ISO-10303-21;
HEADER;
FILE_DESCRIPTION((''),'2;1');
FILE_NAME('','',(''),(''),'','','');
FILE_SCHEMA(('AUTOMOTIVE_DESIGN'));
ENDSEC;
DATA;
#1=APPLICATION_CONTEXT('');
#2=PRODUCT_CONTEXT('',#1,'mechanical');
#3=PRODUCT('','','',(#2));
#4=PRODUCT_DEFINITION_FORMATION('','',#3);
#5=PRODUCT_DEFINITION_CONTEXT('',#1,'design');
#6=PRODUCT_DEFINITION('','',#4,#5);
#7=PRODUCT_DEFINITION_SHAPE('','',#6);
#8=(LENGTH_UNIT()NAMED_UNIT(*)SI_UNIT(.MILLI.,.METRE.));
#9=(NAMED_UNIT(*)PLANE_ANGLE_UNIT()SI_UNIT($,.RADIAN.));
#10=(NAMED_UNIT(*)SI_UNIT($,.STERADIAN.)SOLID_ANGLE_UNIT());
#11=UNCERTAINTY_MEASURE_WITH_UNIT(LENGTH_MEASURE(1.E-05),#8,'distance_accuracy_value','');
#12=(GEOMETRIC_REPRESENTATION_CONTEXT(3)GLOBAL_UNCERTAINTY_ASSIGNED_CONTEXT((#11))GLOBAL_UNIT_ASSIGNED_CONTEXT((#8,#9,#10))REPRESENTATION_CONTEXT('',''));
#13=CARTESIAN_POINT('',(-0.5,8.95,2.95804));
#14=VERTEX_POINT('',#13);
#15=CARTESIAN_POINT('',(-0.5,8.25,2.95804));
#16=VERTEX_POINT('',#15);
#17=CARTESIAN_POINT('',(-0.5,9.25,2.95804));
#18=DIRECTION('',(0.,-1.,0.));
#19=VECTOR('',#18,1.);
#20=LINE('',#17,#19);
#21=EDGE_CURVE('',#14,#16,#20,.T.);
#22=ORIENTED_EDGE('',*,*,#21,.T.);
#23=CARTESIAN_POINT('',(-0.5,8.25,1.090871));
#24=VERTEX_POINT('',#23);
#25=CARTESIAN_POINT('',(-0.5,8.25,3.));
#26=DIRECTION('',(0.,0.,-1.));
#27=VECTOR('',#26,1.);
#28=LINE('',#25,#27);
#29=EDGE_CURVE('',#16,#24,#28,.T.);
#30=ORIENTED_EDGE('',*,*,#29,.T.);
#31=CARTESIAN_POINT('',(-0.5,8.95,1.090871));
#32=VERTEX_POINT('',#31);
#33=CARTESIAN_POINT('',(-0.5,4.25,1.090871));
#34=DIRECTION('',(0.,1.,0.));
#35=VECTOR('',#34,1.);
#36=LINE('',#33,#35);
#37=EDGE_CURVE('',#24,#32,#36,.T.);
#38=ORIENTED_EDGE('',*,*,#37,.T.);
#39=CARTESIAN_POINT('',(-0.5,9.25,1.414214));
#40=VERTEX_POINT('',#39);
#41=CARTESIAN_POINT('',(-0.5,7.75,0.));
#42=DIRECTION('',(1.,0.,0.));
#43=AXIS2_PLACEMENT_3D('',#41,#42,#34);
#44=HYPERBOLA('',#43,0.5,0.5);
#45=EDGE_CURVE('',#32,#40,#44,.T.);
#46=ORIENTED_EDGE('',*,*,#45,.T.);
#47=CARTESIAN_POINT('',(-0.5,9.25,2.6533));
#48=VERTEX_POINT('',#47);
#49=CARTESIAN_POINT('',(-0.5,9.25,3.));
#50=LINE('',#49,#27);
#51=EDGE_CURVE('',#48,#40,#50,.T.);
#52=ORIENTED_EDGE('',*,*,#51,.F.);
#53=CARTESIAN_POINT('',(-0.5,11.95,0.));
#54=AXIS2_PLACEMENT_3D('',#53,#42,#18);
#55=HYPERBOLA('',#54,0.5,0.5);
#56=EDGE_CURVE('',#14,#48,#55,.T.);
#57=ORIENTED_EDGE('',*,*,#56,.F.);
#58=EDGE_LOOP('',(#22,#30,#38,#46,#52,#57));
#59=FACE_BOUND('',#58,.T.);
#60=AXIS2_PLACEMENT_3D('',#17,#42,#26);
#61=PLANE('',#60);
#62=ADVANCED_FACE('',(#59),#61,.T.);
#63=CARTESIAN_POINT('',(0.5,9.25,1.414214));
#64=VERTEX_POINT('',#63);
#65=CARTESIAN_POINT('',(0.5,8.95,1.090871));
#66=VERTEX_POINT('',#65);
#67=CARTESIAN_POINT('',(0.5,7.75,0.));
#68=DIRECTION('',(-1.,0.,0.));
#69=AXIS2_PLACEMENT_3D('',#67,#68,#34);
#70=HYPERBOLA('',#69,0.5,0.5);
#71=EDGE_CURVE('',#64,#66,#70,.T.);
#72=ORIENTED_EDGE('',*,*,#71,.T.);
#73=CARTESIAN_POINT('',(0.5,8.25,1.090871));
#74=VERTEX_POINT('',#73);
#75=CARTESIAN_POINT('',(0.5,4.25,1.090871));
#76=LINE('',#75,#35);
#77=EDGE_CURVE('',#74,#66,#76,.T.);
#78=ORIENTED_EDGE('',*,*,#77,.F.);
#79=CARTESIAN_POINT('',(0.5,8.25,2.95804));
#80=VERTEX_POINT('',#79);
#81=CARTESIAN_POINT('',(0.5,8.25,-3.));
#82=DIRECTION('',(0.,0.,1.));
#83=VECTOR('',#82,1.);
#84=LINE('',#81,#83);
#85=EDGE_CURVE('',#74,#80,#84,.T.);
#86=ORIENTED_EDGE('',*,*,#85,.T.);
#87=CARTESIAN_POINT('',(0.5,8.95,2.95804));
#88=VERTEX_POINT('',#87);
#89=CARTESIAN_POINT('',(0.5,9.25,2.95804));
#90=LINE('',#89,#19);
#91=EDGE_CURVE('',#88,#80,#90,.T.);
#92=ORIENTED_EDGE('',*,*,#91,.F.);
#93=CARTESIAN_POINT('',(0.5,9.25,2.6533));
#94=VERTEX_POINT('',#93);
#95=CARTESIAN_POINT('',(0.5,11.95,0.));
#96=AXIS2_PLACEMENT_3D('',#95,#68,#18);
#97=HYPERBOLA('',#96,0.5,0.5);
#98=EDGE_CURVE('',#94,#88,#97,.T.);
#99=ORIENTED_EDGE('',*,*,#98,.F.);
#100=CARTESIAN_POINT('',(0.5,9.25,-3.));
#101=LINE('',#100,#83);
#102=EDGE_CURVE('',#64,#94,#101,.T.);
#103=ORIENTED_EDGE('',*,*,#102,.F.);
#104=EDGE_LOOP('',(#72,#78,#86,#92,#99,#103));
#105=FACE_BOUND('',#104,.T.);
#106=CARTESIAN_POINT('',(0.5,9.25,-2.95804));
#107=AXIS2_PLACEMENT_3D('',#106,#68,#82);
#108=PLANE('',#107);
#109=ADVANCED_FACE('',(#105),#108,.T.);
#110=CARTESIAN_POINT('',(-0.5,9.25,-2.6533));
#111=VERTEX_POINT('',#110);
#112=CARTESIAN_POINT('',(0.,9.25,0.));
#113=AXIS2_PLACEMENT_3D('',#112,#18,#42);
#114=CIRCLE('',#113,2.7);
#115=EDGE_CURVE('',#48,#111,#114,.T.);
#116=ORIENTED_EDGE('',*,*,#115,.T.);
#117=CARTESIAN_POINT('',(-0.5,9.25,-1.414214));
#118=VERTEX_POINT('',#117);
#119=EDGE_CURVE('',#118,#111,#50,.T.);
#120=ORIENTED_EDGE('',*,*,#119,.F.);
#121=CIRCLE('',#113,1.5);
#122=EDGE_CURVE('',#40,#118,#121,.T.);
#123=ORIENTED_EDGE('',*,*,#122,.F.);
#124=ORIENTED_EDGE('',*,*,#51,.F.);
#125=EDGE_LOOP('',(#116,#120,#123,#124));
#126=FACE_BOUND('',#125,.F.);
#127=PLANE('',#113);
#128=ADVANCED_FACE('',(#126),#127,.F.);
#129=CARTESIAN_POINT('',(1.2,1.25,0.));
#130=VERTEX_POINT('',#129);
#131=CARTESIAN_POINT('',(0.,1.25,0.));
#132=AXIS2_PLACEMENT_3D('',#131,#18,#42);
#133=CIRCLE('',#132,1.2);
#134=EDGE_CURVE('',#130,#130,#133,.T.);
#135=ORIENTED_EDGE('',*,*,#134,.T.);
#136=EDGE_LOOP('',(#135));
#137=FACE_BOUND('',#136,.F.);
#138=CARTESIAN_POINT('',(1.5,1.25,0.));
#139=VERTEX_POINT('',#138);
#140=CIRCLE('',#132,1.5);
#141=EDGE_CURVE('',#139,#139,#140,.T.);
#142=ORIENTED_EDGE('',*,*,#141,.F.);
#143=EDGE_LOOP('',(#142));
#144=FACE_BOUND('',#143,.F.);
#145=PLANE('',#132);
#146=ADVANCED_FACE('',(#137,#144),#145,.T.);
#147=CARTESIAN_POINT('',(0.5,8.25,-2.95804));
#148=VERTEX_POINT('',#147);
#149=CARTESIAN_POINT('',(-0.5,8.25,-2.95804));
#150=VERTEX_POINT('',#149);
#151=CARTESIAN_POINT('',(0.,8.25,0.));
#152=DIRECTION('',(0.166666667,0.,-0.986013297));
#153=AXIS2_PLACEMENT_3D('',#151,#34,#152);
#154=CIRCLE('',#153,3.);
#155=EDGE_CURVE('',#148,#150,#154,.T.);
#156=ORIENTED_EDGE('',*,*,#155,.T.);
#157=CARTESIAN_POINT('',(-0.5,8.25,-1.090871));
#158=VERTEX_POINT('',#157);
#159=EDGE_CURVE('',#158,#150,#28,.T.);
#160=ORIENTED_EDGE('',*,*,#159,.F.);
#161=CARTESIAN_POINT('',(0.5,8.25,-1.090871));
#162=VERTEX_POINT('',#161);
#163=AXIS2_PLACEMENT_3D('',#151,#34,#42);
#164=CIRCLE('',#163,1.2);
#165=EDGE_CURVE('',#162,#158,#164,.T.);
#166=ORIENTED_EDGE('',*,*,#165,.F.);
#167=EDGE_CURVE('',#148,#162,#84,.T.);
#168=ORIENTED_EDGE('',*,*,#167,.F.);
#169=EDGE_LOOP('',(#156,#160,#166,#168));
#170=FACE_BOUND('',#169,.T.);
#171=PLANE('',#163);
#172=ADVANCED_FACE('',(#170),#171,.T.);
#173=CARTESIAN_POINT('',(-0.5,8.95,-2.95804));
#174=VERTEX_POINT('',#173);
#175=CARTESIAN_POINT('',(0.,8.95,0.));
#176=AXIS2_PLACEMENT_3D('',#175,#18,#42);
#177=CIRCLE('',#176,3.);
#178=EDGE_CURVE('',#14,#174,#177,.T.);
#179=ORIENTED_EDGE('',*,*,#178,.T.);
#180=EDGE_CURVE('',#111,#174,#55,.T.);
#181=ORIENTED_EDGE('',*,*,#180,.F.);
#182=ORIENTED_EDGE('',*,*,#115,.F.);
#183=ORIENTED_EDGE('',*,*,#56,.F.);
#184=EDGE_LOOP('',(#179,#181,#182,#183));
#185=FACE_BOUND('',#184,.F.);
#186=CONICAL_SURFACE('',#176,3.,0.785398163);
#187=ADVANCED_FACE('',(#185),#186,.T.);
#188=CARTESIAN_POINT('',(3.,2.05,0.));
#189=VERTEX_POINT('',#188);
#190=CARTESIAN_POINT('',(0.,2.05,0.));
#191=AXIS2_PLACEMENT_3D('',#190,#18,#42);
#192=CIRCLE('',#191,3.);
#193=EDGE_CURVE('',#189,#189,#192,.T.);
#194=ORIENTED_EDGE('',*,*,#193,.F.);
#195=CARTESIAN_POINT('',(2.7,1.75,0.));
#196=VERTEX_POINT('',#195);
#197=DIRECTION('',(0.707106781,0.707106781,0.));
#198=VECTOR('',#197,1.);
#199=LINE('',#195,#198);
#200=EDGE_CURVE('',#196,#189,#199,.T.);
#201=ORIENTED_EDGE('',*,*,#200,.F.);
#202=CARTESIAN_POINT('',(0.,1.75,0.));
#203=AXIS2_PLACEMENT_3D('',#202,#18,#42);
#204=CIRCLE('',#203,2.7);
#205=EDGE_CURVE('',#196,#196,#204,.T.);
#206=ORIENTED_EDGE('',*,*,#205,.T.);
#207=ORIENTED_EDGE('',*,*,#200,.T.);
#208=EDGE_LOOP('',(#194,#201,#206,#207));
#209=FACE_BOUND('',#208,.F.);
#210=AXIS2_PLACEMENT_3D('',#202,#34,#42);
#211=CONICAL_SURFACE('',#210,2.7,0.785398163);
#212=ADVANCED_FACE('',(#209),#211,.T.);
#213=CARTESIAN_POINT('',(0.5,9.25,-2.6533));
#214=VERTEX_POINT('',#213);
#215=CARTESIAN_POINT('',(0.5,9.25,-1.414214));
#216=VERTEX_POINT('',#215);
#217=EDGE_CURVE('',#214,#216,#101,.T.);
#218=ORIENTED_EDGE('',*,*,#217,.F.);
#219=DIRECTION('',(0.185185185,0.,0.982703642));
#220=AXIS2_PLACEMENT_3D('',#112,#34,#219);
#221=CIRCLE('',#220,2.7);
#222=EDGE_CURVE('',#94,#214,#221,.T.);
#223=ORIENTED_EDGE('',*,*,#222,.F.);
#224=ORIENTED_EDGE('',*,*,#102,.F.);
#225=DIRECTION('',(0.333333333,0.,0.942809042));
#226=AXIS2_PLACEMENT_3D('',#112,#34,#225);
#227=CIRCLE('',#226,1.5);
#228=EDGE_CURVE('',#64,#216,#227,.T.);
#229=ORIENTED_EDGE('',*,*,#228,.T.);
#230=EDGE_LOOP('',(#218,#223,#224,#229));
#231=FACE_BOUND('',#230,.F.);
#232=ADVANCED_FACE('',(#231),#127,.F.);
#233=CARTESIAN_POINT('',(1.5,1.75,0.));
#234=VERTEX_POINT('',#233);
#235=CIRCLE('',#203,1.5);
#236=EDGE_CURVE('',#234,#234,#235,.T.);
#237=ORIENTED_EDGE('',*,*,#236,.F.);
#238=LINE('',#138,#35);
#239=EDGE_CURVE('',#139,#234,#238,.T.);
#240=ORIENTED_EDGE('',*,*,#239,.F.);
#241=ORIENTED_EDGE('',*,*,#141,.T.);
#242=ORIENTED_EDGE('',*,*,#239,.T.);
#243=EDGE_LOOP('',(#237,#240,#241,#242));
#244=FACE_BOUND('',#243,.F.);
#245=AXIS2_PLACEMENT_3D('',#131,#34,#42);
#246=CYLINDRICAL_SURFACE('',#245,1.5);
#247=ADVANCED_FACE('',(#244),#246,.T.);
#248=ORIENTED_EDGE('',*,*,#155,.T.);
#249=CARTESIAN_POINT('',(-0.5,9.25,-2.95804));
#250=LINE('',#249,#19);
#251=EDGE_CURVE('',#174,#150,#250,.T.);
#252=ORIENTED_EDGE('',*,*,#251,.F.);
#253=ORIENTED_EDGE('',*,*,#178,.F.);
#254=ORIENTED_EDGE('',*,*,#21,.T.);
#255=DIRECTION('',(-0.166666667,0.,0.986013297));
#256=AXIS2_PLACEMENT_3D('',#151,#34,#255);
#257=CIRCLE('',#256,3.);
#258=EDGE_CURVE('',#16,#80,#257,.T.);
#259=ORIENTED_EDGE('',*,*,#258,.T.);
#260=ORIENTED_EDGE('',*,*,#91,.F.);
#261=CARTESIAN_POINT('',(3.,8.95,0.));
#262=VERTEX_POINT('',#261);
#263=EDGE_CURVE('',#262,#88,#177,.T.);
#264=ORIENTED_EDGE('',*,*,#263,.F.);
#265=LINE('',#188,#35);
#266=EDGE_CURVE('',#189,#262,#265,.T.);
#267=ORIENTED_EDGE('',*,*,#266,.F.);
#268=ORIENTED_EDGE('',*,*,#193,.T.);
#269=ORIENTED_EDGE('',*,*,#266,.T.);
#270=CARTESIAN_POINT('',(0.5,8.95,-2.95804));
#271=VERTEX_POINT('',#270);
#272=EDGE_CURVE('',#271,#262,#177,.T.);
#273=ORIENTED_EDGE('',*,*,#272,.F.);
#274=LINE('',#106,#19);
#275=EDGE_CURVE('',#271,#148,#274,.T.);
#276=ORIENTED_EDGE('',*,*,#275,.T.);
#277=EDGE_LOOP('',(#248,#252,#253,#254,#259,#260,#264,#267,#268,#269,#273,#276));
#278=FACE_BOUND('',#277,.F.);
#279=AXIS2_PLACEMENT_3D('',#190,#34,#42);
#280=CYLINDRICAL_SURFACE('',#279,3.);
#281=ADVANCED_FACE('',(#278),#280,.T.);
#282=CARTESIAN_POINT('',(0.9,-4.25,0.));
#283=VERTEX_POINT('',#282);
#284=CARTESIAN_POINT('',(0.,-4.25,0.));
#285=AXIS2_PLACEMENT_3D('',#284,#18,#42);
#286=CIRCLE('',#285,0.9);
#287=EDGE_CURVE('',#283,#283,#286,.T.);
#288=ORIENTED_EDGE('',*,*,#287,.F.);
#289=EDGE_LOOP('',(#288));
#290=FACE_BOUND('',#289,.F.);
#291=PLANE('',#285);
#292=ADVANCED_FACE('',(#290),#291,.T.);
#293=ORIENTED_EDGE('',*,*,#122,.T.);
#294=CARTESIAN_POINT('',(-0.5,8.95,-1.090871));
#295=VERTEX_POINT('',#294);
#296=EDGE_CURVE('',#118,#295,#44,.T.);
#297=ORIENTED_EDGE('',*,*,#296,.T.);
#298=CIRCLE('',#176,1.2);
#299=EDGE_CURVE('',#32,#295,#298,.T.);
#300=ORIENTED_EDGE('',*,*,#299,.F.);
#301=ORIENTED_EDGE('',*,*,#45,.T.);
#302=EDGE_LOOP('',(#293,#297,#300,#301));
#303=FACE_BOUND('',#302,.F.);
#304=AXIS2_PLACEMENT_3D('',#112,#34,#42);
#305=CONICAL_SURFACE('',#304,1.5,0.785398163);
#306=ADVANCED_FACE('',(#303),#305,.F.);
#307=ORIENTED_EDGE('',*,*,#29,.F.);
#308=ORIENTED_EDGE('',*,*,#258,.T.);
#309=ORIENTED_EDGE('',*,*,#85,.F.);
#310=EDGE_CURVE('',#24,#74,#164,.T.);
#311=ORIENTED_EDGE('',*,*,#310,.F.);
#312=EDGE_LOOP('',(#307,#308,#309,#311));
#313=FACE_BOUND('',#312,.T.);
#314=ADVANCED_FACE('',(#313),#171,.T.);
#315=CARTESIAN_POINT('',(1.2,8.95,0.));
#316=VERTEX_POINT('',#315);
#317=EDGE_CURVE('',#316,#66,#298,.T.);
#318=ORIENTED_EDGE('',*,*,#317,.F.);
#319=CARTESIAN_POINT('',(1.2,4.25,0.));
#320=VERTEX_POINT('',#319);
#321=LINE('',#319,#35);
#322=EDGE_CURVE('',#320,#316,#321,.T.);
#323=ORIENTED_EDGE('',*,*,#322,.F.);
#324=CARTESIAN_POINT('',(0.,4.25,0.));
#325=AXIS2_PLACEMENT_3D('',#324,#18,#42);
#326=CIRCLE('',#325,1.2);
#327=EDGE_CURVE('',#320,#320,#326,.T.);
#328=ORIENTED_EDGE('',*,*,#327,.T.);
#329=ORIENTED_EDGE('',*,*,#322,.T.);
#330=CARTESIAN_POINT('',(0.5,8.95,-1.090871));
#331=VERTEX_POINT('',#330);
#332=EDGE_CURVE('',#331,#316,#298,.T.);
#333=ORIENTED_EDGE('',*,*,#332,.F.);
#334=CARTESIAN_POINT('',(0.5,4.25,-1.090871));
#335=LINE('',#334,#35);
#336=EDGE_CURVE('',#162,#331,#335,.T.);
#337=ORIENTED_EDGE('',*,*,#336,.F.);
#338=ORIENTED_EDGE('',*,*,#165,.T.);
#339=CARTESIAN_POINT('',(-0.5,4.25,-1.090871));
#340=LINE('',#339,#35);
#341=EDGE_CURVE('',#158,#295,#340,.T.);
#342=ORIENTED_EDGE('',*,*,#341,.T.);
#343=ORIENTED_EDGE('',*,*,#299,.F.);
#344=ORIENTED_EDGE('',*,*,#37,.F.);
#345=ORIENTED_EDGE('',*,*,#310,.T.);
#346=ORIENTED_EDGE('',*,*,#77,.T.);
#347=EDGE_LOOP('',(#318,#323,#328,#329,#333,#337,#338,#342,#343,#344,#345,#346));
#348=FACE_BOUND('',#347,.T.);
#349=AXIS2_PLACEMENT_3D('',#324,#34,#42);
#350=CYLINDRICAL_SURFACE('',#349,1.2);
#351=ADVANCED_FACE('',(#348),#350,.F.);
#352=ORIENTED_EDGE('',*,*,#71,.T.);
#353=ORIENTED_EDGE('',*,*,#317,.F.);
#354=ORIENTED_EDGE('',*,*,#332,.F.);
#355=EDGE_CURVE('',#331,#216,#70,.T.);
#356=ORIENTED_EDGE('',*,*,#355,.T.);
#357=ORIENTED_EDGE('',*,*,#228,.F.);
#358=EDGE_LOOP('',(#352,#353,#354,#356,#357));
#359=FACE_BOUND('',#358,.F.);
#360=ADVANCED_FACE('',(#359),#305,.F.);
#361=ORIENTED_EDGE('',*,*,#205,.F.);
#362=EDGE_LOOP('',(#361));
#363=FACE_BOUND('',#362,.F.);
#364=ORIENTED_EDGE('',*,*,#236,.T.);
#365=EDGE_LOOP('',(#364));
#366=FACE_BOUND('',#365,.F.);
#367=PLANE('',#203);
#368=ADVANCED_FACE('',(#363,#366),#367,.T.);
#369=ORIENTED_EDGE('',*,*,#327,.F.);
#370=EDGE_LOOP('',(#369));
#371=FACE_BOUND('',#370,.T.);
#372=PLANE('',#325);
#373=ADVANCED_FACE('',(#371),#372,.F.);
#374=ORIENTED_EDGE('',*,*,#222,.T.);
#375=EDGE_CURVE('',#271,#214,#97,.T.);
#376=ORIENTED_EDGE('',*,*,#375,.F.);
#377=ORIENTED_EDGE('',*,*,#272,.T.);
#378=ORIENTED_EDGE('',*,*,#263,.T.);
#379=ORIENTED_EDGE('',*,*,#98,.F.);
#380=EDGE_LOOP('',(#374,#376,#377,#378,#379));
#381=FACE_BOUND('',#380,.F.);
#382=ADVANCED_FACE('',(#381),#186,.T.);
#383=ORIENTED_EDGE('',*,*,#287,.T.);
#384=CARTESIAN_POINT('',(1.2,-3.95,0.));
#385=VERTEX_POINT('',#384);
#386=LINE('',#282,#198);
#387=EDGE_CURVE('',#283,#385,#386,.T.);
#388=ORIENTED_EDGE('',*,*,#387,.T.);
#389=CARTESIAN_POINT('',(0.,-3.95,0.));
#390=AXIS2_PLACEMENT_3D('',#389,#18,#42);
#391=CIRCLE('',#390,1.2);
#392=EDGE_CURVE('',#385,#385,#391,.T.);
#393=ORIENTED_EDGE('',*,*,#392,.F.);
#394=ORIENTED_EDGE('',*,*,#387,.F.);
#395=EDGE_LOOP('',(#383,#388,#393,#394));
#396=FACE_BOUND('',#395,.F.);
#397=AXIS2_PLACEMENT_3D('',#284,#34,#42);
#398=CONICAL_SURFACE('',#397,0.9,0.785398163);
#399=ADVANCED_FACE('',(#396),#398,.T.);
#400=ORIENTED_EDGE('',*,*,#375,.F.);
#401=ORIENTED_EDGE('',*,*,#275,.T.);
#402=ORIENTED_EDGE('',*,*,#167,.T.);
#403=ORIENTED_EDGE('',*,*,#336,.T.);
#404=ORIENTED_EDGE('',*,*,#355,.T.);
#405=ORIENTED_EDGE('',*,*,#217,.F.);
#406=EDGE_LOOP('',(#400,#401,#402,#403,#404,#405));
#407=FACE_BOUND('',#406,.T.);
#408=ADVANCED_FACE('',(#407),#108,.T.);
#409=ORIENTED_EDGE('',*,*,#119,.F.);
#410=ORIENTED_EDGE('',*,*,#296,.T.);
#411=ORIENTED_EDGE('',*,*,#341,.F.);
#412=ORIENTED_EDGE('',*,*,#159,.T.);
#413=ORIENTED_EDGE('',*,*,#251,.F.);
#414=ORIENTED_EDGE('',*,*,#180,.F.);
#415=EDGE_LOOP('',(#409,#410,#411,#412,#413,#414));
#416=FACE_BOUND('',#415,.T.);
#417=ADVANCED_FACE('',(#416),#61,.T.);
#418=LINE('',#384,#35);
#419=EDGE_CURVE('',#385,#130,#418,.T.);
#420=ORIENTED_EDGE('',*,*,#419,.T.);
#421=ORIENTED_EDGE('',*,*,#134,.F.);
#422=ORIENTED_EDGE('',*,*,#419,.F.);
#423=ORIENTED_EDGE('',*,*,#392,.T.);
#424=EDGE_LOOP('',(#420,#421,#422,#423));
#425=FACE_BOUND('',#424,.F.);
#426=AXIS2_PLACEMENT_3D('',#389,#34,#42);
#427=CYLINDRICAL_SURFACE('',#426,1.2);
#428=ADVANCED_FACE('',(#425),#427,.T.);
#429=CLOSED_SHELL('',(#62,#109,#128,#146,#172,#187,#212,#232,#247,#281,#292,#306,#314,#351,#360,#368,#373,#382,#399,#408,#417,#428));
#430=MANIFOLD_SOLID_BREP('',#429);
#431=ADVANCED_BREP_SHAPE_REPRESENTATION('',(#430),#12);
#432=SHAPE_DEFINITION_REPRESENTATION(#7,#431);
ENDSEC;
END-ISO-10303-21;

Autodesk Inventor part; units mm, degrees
ref_plane "YZ Plane" through (0, 0, 0) normal (1, 0, 0) x (0, 1, 0)
ref_plane "XZ Plane" through (0, 0, 0) normal (0, 1, 0) x (-1, 0, 0)
ref_plane "XY Plane" through (0, 0, 0) normal (0, 0, 1) x (1, 0, 0)
sketch "スケッチ1" plane through (0, 0, 0) normal (0, 0, 1) x (1, 0, 0)
  line L0 (0, -4.25) -> (0.9, -4.25)
  line L1 (0.9, -4.25) -> (1.2, -3.95)
  line L2 (1.2, -3.95) -> (1.2, 1.25)
  line L3 (1.2, 1.25) -> (1.5, 1.25)
  line L4 (1.5, 1.25) -> (1.5, 1.75)
  line L5 (1.5, 1.75) -> (2.7, 1.75)
  line L6 (3, 8.95) -> (2.7, 9.25)
  line L7 (2.7, 9.25) -> (1.5, 9.25)
  line L8 (1.5, 9.25) -> (1.2, 8.95)
  line L9 (0, 7.4044) -> (0, -7.4044) construction
  line L10 (0, -4.25) -> (0, 4.25)
  line L11 (0, 4.25) -> (1.2, 4.25)
  line L12 (1.2, 4.25) -> (1.2, 8.95)
  line L13 (2.7, 1.75) -> (3, 2.05)
  line L14 (3, 2.05) -> (3, 8.95)
  point P0 (0, 0)
  point P1 (0, 0)
  point P2 (0, 0)
  dimension "d0" = 2.4
  dimension "d1" = 6
  dimension "d2" = 0.3
  dimension "d3" = 0.3
  dimension "d4" = 3
  dimension "d5" = 0.5
  dimension "d6" = 7.5
  dimension "d7" = 0.3
  dimension "d8" = 2.4
  dimension "d9" = 5
  dimension "d10" = 0.3
  dimension "d11" = 0.3
  dimension "d12" = 0.3
  dimension "d13" = 0.3
  dimension "d14" = 6
revolve "回転1" add sketch "スケッチ1" angle 360 about axis through (0, 7.4044, 0) along (0, -1, 0)
sketch "スケッチ2" plane through (0, 9.25, 0) normal (0, 1, 0) x (1, 0, 0)
  line L0 (-0.5, 3) -> (0.5, 3)
  line L1 (0.5, 3) -> (0.5, -3)
  line L2 (0.5, -3) -> (-0.5, -3)
  line L3 (-0.5, -3) -> (-0.5, 3)
  line L4 (-0.5, 3) -> (0.5, -3) construction
  line L5 (0.5, 3) -> (-0.5, -3) construction
  circle A0 centre (0, 0) radius 3 projected
  point P0 (0, 0)
  point P1 (0.5, 2.958)
  point P2 (-0.5, 2.958)
  point P3 (-0.5, -2.958)
  point P4 (0.5, -2.958)
  dimension "d16" = 1
extrude "押し出し1" cut sketch "スケッチ2" against normal blind 1 contours A0 L1 L3
equation "\"d3\" = d2"
equation "\"d10\" = d7"
equation "\"d11\" = d7"
equation "\"d12\" = d11"
equation "\"d13\" = d12"
properties part number "BRU-307_5S" material "ステンレス鋼 AISI 304"
